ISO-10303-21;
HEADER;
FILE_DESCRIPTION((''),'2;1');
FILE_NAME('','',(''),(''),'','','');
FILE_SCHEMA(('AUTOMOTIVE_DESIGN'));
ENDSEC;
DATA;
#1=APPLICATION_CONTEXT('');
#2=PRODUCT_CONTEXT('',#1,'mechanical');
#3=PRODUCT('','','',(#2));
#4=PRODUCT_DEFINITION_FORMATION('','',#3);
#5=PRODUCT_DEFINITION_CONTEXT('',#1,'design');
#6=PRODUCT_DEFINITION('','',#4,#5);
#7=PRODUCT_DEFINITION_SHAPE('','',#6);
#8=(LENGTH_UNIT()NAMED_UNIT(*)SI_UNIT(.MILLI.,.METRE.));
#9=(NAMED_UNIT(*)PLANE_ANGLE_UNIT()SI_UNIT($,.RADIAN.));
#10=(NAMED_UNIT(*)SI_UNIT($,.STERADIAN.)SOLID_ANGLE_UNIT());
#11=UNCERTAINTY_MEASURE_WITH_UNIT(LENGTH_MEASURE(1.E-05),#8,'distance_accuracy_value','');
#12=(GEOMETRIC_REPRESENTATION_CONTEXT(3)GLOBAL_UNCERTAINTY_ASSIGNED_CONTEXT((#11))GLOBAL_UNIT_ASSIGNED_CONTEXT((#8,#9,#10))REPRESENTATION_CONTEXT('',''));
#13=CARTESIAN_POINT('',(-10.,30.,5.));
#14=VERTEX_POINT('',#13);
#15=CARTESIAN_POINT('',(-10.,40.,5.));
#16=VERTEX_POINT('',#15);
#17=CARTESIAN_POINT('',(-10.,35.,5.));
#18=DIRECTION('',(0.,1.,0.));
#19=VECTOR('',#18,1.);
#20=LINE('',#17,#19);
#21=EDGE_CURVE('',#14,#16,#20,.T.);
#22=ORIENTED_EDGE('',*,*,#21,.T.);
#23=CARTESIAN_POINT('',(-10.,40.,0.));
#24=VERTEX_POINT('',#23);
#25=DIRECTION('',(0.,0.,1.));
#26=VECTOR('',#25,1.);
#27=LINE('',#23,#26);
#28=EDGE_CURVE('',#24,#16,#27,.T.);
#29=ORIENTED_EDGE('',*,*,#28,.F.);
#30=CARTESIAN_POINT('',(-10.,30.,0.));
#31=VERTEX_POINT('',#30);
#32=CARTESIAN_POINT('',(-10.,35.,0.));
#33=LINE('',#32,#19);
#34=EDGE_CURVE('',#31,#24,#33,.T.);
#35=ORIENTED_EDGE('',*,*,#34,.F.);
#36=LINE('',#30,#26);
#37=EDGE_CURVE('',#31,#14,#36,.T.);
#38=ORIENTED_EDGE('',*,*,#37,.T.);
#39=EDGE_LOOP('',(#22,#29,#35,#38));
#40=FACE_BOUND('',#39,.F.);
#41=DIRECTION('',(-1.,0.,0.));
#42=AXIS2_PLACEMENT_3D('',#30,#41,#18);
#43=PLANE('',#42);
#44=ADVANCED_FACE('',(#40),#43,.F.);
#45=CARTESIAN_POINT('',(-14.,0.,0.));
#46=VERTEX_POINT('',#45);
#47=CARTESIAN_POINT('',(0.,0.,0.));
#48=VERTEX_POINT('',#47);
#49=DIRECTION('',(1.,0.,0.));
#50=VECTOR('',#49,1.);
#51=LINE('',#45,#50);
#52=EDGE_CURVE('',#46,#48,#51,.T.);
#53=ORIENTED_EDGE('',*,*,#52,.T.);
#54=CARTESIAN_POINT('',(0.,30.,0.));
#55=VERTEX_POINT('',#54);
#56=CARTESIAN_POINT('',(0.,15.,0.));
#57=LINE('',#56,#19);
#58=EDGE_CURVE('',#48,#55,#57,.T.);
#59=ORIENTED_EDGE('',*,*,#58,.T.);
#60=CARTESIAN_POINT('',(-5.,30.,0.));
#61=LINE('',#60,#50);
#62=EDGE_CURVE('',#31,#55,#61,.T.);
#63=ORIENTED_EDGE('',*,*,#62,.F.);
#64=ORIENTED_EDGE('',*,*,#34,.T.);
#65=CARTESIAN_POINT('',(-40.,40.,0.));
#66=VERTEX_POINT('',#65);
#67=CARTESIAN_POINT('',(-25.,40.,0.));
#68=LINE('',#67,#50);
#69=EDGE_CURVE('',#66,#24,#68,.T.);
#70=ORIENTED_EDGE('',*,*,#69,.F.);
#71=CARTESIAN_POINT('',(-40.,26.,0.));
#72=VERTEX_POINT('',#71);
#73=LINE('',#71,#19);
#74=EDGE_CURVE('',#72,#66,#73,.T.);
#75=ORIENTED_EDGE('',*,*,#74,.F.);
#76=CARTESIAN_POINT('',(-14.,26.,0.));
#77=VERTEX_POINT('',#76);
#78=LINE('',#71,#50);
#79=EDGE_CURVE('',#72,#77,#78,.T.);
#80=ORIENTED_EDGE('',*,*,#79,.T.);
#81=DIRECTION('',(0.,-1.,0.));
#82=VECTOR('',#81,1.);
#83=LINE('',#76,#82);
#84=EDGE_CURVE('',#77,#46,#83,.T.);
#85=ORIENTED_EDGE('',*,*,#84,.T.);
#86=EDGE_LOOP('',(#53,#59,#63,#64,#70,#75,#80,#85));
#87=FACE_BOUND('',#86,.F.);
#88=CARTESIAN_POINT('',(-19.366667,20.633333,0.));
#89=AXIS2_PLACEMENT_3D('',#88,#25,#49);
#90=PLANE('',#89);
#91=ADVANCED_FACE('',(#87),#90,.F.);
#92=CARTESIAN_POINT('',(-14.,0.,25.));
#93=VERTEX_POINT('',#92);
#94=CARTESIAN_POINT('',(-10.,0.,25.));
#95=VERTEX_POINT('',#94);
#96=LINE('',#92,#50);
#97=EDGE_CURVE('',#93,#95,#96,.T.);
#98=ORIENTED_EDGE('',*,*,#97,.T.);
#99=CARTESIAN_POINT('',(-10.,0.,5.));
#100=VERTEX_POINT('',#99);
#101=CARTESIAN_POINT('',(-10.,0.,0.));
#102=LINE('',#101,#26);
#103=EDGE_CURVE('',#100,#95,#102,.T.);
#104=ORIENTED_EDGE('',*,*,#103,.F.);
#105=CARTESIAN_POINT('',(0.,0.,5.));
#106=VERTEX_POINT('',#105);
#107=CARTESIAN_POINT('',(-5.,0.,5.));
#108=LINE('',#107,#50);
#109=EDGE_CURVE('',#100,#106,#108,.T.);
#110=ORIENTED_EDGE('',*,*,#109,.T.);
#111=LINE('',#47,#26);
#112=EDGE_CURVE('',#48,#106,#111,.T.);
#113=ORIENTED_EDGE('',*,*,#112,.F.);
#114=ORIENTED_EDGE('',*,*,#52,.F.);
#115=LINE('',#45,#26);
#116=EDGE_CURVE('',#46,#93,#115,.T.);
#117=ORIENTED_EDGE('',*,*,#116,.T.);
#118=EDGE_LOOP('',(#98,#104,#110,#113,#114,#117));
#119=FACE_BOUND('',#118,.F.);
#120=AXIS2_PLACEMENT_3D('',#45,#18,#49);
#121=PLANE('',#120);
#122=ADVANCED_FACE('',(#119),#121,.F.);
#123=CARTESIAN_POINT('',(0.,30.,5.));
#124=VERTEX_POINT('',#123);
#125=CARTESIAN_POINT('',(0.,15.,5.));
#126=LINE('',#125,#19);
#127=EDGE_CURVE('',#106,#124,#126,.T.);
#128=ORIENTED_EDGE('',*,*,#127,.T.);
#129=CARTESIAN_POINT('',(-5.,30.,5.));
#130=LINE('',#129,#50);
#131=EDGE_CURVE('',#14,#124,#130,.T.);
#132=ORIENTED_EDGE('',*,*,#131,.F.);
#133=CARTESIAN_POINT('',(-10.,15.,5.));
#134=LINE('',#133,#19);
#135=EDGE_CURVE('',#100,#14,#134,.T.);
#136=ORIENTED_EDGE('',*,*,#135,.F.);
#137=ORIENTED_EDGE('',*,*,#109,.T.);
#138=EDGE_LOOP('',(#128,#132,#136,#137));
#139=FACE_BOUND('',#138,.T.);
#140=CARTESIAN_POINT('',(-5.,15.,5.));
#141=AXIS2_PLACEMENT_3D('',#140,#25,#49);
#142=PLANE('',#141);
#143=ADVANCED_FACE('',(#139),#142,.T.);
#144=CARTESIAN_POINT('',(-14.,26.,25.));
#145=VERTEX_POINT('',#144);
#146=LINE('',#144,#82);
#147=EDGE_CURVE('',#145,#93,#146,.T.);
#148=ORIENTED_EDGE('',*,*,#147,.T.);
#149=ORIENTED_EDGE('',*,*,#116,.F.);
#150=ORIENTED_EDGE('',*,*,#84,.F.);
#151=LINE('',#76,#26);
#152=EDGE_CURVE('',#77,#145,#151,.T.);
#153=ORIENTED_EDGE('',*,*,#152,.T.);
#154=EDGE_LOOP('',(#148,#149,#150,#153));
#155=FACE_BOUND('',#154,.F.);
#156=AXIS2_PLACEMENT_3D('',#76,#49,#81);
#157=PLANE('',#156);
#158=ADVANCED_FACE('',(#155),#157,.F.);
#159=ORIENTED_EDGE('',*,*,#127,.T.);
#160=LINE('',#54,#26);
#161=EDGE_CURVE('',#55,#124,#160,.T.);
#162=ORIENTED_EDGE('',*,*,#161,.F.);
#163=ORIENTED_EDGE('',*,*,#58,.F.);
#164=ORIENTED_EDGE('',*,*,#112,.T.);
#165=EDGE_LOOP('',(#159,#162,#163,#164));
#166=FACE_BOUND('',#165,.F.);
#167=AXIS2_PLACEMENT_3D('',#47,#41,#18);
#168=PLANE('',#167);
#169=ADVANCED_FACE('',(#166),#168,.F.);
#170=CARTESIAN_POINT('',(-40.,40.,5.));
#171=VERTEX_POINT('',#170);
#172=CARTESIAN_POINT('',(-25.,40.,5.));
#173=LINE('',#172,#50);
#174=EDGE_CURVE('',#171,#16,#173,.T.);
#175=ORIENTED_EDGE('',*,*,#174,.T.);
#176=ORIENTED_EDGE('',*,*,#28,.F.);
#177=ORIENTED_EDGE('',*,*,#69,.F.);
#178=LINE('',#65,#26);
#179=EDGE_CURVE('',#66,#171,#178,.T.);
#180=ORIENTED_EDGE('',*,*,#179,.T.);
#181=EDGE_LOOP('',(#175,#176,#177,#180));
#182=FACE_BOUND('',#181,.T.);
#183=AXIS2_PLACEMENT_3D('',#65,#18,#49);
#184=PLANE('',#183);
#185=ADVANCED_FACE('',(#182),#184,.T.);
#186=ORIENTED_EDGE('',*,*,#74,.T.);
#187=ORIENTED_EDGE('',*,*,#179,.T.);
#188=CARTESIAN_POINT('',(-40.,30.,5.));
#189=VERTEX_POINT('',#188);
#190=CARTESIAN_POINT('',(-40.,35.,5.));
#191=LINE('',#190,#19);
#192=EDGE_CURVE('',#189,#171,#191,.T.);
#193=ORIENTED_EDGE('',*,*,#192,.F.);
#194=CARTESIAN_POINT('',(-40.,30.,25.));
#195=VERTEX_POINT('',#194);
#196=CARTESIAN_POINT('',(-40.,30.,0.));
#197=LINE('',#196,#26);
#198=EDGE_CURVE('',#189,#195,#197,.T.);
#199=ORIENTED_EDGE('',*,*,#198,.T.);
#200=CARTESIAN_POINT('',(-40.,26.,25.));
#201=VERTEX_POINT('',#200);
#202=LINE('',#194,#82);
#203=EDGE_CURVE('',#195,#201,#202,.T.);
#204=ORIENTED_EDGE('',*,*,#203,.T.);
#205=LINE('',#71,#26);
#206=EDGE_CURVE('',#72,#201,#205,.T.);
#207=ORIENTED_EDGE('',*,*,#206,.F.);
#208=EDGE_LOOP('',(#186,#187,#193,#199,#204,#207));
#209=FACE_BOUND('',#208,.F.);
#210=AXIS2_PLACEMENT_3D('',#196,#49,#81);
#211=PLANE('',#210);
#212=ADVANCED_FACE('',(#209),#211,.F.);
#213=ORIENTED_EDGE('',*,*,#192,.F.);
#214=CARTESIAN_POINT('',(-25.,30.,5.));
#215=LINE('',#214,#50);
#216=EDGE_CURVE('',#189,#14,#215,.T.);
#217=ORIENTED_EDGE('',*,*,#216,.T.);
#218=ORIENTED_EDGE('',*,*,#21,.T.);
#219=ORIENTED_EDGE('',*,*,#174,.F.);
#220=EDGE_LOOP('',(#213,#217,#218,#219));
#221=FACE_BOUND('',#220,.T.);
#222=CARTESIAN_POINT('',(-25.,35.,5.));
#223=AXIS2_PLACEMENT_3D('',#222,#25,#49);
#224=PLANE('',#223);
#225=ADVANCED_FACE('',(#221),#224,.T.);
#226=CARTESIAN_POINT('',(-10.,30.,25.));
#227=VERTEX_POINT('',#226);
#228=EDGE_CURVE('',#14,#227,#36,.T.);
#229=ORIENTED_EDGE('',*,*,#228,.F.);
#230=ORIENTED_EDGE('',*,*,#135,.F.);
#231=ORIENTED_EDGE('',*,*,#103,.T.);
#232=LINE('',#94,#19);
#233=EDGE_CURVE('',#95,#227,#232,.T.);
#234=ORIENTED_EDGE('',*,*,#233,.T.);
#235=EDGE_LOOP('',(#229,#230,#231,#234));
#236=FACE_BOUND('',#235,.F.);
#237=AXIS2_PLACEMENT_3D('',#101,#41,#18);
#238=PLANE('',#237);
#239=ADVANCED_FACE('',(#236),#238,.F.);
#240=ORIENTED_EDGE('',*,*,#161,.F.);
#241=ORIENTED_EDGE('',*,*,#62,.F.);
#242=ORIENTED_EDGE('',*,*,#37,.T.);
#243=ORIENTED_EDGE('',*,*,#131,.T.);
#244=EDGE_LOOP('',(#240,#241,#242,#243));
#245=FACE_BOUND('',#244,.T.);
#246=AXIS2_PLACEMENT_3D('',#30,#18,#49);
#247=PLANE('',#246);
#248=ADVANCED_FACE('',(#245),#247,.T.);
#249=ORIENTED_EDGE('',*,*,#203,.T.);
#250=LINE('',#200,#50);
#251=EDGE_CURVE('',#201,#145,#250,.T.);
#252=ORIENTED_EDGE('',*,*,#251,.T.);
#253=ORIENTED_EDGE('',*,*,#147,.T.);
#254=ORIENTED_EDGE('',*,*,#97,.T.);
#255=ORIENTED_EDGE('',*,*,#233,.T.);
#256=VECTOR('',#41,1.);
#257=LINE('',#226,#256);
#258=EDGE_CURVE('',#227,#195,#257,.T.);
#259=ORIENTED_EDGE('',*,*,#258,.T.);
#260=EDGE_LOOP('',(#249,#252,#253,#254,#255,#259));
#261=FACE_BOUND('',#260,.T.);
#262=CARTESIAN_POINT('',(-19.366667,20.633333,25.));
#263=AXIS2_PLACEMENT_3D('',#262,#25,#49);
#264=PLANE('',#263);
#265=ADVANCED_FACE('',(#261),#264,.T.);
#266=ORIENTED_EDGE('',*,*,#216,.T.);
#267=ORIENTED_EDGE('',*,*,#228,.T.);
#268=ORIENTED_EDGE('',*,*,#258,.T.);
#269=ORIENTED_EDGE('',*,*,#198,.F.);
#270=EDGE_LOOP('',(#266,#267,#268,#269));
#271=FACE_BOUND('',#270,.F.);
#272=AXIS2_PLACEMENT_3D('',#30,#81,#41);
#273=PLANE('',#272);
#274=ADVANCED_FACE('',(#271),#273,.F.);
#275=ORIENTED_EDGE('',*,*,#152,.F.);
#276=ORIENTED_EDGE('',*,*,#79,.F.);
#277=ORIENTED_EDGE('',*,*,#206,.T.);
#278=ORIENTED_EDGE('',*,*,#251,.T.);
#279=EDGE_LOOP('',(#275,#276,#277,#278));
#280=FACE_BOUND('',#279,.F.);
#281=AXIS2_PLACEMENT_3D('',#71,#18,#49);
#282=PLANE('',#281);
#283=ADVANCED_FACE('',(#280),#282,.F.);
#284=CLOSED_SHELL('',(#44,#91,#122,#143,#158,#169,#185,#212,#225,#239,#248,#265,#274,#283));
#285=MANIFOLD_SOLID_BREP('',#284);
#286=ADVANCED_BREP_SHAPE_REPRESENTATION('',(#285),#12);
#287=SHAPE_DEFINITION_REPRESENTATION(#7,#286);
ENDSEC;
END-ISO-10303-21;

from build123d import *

# Parameters (mm, degrees)
F0_W     = 30
F0_H     = 10
F1_DEPTH = 5
F0_W_2   = 10
F0_H_2   = 30
F2_DEPTH = 25


with BuildPart() as f1:
    # F0 (on Top) → F1 (new body)
    with BuildSketch(Plane.XY):
        with Locations((-25, 35)):
            Rectangle(F0_W, F0_H)
    extrude(amount=F1_DEPTH)



with BuildPart() as f1b:
    # F0 (on Top) → F1, piece 2 (new body)
    with BuildSketch(Plane.XY):
        with Locations((-5, 15)):
            Rectangle(F0_W_2, F0_H_2)
    extrude(amount=F1_DEPTH)


with BuildPart() as f1_1:
    add(f1.part)

    add(f1b.part)  # F2 merges F1b
    # F0 (on Top) → F2 (join)
    with BuildSketch(Plane.XY):
        Polygon((-14, 0), (-10, 0), (-10, 30), (-40, 30), (-40, 26), (-14, 26), align=None)
    extrude(amount=F2_DEPTH)


solid = f1_1.part
